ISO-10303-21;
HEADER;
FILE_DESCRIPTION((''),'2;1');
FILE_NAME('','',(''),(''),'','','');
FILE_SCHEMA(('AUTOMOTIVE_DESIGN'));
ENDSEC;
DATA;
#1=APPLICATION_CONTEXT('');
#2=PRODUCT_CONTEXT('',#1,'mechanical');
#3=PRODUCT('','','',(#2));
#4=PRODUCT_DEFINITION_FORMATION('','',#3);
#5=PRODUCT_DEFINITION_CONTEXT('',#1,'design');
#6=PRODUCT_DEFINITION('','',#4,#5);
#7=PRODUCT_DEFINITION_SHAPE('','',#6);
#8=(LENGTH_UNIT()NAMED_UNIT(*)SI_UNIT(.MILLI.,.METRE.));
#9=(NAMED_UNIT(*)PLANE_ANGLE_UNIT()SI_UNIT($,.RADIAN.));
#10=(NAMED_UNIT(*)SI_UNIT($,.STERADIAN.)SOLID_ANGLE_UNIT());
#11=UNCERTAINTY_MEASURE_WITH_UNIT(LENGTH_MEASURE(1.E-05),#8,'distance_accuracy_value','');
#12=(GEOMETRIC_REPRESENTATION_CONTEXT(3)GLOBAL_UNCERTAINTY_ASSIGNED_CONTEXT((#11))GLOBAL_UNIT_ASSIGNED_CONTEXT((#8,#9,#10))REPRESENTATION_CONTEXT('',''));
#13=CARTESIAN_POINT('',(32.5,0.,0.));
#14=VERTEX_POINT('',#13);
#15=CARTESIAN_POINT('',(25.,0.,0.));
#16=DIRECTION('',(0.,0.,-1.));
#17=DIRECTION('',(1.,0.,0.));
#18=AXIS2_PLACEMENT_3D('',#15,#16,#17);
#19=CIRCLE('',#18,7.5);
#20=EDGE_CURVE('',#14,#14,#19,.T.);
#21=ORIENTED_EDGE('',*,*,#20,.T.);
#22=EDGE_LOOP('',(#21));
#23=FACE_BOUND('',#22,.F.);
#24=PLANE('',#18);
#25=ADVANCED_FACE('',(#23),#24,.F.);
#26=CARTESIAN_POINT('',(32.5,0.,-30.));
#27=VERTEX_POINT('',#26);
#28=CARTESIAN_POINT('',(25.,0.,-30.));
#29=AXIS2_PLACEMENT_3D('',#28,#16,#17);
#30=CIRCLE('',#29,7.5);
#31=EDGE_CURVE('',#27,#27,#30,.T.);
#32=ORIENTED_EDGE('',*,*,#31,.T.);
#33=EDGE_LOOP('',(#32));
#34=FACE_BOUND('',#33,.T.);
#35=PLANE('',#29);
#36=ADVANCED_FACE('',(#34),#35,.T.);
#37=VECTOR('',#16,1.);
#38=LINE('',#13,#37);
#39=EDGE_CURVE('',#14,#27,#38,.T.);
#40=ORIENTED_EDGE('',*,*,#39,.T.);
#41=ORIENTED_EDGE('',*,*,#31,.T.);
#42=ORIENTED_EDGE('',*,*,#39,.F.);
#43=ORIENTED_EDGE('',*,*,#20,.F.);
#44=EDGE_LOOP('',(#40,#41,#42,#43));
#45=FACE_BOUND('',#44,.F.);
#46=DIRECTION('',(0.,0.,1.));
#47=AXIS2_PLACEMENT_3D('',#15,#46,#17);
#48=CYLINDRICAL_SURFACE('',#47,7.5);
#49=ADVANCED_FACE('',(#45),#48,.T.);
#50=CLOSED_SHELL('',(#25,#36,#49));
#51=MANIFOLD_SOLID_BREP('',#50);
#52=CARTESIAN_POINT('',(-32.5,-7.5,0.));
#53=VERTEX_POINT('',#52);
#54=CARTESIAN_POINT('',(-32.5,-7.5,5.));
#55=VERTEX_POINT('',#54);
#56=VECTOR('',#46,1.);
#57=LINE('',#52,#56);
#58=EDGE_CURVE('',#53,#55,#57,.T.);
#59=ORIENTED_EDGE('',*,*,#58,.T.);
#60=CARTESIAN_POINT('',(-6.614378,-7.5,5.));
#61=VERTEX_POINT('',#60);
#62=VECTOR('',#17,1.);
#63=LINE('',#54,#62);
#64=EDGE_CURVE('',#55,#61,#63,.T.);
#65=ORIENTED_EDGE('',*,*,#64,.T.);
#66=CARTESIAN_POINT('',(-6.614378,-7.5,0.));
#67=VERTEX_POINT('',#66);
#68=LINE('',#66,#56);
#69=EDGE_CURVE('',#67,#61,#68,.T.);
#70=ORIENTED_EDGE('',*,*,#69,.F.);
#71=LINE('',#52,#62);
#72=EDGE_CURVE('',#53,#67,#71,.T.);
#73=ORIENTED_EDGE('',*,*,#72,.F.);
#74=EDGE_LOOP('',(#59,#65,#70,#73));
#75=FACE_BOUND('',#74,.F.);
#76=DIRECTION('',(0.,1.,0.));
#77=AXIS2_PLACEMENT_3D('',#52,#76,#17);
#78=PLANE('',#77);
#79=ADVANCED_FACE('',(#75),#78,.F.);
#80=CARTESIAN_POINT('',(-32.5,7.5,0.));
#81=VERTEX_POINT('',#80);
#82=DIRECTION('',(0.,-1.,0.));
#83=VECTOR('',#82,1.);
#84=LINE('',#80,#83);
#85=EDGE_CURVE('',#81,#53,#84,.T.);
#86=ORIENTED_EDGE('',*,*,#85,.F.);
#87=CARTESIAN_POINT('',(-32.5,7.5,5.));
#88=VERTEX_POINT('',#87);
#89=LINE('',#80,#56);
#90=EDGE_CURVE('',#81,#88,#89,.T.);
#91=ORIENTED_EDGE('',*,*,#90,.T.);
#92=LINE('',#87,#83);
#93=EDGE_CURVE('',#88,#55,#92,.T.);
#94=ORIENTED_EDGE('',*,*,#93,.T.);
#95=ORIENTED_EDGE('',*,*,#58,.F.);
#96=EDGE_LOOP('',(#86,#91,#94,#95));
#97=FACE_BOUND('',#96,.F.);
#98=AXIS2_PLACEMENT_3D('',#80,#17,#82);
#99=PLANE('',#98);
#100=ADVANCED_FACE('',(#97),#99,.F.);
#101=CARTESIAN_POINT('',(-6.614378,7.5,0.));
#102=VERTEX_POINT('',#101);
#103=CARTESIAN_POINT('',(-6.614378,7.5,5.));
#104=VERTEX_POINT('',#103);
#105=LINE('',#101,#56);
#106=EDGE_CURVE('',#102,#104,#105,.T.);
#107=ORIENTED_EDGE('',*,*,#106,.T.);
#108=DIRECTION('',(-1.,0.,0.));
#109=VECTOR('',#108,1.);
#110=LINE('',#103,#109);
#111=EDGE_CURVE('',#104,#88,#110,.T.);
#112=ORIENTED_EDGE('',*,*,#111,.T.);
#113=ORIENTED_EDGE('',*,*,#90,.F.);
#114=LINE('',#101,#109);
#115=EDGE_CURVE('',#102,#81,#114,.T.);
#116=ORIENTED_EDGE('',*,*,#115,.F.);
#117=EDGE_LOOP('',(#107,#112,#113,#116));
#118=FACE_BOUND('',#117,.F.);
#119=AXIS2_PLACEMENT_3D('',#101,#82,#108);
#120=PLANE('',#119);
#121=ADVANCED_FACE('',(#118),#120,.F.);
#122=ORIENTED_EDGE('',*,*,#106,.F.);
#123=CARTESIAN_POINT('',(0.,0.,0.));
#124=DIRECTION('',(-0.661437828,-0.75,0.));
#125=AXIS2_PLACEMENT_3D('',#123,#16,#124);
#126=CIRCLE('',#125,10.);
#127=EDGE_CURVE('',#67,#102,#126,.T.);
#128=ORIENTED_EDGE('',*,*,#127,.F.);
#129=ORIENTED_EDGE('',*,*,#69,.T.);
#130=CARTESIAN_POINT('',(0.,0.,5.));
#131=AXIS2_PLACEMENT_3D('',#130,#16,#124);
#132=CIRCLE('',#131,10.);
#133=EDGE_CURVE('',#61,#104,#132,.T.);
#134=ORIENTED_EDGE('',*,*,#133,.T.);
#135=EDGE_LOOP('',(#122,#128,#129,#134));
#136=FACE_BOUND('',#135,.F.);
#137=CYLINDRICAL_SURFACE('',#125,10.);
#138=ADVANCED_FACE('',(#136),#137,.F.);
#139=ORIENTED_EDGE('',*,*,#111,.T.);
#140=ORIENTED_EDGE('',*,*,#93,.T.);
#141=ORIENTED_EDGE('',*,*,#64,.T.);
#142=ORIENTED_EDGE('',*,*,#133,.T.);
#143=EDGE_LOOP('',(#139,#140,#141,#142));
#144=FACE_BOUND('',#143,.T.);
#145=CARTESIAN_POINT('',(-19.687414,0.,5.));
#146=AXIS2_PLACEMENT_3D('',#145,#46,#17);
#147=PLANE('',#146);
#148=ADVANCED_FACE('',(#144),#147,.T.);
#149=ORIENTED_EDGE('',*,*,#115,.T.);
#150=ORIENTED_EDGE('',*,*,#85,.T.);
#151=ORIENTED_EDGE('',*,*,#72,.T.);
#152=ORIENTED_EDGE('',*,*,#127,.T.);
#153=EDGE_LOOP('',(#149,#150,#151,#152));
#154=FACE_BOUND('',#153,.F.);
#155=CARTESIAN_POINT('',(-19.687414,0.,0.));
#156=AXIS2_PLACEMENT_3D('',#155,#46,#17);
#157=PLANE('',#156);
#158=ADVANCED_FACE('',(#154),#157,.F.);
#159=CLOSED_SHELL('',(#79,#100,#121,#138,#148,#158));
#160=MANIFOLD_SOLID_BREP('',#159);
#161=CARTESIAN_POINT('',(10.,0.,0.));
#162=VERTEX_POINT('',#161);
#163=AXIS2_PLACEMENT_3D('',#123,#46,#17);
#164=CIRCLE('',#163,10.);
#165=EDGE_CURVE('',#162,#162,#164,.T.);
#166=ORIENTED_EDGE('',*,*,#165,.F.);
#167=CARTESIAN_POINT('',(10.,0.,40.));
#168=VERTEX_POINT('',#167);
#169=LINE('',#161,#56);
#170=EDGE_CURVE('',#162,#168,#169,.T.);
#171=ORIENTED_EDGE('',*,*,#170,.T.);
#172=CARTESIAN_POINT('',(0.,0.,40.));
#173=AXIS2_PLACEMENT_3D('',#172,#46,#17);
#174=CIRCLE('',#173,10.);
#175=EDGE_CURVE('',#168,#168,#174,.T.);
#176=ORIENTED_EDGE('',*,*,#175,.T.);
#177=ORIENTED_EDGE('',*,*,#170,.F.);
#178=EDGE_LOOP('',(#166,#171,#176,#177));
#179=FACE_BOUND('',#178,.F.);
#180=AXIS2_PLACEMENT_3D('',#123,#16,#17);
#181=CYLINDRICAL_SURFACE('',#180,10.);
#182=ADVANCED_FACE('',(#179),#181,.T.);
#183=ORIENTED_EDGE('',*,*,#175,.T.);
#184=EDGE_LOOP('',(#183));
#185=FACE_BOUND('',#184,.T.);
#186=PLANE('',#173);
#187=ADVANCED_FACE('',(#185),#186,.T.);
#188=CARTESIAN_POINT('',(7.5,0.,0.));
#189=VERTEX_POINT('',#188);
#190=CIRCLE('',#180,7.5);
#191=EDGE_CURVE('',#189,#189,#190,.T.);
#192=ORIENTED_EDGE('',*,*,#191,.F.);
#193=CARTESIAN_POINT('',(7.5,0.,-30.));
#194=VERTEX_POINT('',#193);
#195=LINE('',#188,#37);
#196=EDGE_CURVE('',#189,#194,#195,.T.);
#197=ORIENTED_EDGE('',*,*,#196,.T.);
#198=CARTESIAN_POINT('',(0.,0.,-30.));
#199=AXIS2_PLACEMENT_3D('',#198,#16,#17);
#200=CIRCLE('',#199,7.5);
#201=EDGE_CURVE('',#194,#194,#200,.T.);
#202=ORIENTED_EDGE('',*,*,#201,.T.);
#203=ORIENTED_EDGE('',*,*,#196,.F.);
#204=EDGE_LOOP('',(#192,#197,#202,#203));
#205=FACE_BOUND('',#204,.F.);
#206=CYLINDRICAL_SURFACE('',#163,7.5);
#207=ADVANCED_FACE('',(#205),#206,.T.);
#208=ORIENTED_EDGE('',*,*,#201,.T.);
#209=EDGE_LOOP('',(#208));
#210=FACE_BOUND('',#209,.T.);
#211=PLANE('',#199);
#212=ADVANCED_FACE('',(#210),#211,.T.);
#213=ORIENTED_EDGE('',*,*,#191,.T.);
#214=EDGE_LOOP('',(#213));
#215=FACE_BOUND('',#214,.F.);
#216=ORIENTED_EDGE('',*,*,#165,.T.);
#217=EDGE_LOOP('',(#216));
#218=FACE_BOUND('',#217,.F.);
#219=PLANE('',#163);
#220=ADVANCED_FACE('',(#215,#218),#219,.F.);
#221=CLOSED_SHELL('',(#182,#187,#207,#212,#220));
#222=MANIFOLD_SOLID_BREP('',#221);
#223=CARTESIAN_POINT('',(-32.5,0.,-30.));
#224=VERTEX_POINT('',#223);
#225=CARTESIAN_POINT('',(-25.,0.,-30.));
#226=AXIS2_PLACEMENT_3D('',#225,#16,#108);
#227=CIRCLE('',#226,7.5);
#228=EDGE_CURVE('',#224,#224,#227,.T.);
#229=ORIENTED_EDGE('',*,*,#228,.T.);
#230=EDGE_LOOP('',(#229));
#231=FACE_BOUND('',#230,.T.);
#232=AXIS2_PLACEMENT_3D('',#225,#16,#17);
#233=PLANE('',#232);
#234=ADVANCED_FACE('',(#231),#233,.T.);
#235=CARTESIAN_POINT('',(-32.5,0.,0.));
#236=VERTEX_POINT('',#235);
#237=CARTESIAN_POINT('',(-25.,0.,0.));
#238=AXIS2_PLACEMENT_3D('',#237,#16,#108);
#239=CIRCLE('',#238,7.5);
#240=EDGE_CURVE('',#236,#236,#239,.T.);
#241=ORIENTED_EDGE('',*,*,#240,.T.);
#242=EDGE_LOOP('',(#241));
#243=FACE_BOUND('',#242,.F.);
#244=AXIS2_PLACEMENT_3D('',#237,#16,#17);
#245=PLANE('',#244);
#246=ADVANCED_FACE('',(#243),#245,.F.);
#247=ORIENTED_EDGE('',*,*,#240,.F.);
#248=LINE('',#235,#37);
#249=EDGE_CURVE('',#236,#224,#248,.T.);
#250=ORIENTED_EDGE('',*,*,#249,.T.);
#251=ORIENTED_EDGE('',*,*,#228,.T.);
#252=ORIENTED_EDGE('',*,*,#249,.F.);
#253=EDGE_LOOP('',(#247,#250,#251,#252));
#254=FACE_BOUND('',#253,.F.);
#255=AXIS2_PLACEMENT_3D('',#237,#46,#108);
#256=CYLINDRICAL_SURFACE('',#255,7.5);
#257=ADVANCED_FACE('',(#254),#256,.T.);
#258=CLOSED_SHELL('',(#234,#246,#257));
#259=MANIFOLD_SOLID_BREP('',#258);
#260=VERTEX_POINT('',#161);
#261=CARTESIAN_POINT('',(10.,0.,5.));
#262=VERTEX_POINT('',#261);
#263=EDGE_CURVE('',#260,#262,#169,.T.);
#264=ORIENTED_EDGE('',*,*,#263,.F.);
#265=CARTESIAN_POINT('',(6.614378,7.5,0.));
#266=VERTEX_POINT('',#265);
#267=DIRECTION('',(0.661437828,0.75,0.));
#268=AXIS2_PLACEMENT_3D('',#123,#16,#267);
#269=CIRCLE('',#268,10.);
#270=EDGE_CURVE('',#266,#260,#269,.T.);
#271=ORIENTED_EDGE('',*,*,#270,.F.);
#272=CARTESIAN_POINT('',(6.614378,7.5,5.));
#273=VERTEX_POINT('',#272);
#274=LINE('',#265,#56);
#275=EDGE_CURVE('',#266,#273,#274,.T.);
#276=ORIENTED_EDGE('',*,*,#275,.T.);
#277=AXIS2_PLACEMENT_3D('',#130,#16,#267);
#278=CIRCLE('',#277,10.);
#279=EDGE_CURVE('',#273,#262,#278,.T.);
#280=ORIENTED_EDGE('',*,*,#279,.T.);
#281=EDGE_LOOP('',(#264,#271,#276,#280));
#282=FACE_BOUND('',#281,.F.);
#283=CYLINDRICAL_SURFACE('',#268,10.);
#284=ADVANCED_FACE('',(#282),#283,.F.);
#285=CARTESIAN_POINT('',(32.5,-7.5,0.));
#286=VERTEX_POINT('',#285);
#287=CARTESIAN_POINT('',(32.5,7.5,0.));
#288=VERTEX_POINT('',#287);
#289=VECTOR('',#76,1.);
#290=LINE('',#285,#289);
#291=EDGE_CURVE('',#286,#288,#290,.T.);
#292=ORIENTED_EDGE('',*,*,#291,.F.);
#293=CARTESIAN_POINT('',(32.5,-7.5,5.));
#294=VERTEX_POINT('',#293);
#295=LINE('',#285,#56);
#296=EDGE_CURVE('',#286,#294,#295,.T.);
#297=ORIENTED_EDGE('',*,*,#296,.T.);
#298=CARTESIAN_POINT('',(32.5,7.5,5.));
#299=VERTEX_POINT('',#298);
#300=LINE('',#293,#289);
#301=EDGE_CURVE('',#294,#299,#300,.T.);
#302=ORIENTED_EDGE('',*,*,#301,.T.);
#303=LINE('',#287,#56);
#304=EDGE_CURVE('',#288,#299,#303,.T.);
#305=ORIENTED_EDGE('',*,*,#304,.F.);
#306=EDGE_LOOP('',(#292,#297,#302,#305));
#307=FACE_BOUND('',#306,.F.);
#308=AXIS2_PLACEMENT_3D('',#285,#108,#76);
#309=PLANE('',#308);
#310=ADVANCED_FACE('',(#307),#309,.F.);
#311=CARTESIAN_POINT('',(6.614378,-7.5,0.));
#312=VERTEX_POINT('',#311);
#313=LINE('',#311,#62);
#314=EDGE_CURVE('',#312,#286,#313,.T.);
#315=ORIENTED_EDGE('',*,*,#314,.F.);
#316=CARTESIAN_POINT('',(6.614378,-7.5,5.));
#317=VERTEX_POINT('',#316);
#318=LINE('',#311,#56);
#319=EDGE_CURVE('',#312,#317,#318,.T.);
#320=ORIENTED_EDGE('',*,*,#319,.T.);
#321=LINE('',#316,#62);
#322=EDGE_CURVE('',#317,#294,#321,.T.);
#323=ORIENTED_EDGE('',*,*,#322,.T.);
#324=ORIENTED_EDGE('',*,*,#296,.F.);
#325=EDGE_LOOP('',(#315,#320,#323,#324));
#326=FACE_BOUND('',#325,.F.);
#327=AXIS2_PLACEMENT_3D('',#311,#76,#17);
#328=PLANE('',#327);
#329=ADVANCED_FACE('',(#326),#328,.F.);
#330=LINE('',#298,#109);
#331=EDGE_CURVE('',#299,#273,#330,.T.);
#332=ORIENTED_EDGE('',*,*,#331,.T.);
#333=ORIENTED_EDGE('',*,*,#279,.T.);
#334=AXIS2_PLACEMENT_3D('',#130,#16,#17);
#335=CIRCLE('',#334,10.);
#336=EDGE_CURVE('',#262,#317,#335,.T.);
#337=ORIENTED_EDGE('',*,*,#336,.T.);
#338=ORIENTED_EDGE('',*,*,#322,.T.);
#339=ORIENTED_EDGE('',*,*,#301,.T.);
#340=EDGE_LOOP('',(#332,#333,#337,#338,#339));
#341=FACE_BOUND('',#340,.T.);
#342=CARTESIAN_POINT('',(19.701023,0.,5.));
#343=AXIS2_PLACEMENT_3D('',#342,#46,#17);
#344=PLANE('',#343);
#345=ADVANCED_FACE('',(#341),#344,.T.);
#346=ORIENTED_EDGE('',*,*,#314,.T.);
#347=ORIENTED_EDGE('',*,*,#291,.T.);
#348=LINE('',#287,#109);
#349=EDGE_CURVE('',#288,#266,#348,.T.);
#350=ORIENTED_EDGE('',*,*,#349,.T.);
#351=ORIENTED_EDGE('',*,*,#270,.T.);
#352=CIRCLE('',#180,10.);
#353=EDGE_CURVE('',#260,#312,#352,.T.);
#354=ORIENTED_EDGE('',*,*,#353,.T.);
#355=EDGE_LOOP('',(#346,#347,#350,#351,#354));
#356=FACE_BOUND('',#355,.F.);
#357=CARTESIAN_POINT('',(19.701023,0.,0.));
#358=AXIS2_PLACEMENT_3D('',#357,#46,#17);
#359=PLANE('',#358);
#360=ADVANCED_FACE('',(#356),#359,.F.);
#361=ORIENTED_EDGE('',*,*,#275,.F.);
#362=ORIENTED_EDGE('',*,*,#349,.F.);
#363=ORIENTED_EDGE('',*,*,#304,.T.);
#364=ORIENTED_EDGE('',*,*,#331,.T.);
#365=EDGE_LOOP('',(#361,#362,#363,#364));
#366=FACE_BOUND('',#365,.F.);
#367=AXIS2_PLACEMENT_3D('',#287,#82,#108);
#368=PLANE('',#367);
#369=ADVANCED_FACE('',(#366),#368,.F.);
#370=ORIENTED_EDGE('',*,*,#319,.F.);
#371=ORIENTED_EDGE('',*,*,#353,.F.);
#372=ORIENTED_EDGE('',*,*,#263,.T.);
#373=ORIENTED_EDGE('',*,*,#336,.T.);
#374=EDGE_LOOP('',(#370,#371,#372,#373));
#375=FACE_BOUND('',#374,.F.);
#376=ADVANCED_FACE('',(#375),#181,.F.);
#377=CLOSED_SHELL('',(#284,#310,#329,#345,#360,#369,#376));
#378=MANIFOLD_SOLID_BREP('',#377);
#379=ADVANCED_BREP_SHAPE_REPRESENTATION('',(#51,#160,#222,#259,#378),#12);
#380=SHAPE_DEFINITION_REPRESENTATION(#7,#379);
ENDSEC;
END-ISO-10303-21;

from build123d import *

# Parameters (mm, degrees)
F1_DEPTH = 5
F2_R     = 10
F3_DEPTH = 40
F4_R     = 7.5
F5_DEPTH = 30
F7_DEPTH = 30
F6_R     = 7.5


with BuildPart() as f1:
    # F0 (on Top) → F1 (new body)
    with BuildSketch(Plane.XY):
        with BuildLine():
            ThreePointArc((6.6143782777, 7.5), (9.1143782777, 4.1143782777), (10, 0))
            ThreePointArc((10, 0), (9.1143782777, -4.1143782777), (6.6143782777, -7.5))
            Line((6.6143782777, -7.5), (32.5, -7.5))
            Line((32.5, -7.5), (32.5, 7.5))
            Line((32.5, 7.5), (6.6143782777, 7.5))
        make_face()
    extrude(amount=F1_DEPTH)


with BuildPart() as f1b:
    # F0 (on Top) → F1, piece 2 (new body)
    with BuildSketch(Plane.XY):
        with BuildLine():
            ThreePointArc((-6.6143782777, -7.5), (-10, 0), (-6.6143782777, 7.5))
            Line((-6.6143782777, 7.5), (-32.5, 7.5))
            Line((-32.5, 7.5), (-32.5, -7.5))
            Line((-32.5, -7.5), (-6.6143782777, -7.5))
        make_face()
    extrude(amount=F1_DEPTH)


with BuildPart() as f3:
    # F2 (on Top) → F3 (new body)
    with BuildSketch(Plane.XY):
        Circle(F2_R)
    extrude(amount=F3_DEPTH)

    # F4 (on face) → F5 (join)
    with BuildSketch(Plane(origin=(0, 0, 0), x_dir=(1, 0, 0), z_dir=(0, 0, -1))):
        Circle(F4_R)
    extrude(amount=F5_DEPTH)


with BuildPart() as f7:
    # F6 (on face) → F7 (new body)
    with BuildSketch(Plane(origin=(0, 0, 0), x_dir=(1, 0, 0), z_dir=(0, 0, -1))):
        with BuildLine():
            ThreePointArc((-25, -7.5), (-19.6966991411, -5.3033008589), (-17.5, 0))
            ThreePointArc((-17.5, 0), (-19.6966991411, 5.3033008589), (-25, 7.5))
            ThreePointArc((-25, 7.5), (-30.3033008589, 5.3033008589), (-32.5, 0))
            ThreePointArc((-32.5, 0), (-30.3033008589, -5.3033008589), (-25, -7.5))
        make_face()
    extrude(amount=F7_DEPTH)


with BuildPart() as f7b:
    # F6 (on face) → F7, piece 2 (new body)
    with BuildSketch(Plane(origin=(0, 0, 0), x_dir=(1, 0, 0), z_dir=(0, 0, -1))):
        with Locations((25, 0)):
            Circle(F6_R)
    extrude(amount=F7_DEPTH)


solid = Compound([f1.part, f1b.part, f3.part, f7.part, f7b.part])
